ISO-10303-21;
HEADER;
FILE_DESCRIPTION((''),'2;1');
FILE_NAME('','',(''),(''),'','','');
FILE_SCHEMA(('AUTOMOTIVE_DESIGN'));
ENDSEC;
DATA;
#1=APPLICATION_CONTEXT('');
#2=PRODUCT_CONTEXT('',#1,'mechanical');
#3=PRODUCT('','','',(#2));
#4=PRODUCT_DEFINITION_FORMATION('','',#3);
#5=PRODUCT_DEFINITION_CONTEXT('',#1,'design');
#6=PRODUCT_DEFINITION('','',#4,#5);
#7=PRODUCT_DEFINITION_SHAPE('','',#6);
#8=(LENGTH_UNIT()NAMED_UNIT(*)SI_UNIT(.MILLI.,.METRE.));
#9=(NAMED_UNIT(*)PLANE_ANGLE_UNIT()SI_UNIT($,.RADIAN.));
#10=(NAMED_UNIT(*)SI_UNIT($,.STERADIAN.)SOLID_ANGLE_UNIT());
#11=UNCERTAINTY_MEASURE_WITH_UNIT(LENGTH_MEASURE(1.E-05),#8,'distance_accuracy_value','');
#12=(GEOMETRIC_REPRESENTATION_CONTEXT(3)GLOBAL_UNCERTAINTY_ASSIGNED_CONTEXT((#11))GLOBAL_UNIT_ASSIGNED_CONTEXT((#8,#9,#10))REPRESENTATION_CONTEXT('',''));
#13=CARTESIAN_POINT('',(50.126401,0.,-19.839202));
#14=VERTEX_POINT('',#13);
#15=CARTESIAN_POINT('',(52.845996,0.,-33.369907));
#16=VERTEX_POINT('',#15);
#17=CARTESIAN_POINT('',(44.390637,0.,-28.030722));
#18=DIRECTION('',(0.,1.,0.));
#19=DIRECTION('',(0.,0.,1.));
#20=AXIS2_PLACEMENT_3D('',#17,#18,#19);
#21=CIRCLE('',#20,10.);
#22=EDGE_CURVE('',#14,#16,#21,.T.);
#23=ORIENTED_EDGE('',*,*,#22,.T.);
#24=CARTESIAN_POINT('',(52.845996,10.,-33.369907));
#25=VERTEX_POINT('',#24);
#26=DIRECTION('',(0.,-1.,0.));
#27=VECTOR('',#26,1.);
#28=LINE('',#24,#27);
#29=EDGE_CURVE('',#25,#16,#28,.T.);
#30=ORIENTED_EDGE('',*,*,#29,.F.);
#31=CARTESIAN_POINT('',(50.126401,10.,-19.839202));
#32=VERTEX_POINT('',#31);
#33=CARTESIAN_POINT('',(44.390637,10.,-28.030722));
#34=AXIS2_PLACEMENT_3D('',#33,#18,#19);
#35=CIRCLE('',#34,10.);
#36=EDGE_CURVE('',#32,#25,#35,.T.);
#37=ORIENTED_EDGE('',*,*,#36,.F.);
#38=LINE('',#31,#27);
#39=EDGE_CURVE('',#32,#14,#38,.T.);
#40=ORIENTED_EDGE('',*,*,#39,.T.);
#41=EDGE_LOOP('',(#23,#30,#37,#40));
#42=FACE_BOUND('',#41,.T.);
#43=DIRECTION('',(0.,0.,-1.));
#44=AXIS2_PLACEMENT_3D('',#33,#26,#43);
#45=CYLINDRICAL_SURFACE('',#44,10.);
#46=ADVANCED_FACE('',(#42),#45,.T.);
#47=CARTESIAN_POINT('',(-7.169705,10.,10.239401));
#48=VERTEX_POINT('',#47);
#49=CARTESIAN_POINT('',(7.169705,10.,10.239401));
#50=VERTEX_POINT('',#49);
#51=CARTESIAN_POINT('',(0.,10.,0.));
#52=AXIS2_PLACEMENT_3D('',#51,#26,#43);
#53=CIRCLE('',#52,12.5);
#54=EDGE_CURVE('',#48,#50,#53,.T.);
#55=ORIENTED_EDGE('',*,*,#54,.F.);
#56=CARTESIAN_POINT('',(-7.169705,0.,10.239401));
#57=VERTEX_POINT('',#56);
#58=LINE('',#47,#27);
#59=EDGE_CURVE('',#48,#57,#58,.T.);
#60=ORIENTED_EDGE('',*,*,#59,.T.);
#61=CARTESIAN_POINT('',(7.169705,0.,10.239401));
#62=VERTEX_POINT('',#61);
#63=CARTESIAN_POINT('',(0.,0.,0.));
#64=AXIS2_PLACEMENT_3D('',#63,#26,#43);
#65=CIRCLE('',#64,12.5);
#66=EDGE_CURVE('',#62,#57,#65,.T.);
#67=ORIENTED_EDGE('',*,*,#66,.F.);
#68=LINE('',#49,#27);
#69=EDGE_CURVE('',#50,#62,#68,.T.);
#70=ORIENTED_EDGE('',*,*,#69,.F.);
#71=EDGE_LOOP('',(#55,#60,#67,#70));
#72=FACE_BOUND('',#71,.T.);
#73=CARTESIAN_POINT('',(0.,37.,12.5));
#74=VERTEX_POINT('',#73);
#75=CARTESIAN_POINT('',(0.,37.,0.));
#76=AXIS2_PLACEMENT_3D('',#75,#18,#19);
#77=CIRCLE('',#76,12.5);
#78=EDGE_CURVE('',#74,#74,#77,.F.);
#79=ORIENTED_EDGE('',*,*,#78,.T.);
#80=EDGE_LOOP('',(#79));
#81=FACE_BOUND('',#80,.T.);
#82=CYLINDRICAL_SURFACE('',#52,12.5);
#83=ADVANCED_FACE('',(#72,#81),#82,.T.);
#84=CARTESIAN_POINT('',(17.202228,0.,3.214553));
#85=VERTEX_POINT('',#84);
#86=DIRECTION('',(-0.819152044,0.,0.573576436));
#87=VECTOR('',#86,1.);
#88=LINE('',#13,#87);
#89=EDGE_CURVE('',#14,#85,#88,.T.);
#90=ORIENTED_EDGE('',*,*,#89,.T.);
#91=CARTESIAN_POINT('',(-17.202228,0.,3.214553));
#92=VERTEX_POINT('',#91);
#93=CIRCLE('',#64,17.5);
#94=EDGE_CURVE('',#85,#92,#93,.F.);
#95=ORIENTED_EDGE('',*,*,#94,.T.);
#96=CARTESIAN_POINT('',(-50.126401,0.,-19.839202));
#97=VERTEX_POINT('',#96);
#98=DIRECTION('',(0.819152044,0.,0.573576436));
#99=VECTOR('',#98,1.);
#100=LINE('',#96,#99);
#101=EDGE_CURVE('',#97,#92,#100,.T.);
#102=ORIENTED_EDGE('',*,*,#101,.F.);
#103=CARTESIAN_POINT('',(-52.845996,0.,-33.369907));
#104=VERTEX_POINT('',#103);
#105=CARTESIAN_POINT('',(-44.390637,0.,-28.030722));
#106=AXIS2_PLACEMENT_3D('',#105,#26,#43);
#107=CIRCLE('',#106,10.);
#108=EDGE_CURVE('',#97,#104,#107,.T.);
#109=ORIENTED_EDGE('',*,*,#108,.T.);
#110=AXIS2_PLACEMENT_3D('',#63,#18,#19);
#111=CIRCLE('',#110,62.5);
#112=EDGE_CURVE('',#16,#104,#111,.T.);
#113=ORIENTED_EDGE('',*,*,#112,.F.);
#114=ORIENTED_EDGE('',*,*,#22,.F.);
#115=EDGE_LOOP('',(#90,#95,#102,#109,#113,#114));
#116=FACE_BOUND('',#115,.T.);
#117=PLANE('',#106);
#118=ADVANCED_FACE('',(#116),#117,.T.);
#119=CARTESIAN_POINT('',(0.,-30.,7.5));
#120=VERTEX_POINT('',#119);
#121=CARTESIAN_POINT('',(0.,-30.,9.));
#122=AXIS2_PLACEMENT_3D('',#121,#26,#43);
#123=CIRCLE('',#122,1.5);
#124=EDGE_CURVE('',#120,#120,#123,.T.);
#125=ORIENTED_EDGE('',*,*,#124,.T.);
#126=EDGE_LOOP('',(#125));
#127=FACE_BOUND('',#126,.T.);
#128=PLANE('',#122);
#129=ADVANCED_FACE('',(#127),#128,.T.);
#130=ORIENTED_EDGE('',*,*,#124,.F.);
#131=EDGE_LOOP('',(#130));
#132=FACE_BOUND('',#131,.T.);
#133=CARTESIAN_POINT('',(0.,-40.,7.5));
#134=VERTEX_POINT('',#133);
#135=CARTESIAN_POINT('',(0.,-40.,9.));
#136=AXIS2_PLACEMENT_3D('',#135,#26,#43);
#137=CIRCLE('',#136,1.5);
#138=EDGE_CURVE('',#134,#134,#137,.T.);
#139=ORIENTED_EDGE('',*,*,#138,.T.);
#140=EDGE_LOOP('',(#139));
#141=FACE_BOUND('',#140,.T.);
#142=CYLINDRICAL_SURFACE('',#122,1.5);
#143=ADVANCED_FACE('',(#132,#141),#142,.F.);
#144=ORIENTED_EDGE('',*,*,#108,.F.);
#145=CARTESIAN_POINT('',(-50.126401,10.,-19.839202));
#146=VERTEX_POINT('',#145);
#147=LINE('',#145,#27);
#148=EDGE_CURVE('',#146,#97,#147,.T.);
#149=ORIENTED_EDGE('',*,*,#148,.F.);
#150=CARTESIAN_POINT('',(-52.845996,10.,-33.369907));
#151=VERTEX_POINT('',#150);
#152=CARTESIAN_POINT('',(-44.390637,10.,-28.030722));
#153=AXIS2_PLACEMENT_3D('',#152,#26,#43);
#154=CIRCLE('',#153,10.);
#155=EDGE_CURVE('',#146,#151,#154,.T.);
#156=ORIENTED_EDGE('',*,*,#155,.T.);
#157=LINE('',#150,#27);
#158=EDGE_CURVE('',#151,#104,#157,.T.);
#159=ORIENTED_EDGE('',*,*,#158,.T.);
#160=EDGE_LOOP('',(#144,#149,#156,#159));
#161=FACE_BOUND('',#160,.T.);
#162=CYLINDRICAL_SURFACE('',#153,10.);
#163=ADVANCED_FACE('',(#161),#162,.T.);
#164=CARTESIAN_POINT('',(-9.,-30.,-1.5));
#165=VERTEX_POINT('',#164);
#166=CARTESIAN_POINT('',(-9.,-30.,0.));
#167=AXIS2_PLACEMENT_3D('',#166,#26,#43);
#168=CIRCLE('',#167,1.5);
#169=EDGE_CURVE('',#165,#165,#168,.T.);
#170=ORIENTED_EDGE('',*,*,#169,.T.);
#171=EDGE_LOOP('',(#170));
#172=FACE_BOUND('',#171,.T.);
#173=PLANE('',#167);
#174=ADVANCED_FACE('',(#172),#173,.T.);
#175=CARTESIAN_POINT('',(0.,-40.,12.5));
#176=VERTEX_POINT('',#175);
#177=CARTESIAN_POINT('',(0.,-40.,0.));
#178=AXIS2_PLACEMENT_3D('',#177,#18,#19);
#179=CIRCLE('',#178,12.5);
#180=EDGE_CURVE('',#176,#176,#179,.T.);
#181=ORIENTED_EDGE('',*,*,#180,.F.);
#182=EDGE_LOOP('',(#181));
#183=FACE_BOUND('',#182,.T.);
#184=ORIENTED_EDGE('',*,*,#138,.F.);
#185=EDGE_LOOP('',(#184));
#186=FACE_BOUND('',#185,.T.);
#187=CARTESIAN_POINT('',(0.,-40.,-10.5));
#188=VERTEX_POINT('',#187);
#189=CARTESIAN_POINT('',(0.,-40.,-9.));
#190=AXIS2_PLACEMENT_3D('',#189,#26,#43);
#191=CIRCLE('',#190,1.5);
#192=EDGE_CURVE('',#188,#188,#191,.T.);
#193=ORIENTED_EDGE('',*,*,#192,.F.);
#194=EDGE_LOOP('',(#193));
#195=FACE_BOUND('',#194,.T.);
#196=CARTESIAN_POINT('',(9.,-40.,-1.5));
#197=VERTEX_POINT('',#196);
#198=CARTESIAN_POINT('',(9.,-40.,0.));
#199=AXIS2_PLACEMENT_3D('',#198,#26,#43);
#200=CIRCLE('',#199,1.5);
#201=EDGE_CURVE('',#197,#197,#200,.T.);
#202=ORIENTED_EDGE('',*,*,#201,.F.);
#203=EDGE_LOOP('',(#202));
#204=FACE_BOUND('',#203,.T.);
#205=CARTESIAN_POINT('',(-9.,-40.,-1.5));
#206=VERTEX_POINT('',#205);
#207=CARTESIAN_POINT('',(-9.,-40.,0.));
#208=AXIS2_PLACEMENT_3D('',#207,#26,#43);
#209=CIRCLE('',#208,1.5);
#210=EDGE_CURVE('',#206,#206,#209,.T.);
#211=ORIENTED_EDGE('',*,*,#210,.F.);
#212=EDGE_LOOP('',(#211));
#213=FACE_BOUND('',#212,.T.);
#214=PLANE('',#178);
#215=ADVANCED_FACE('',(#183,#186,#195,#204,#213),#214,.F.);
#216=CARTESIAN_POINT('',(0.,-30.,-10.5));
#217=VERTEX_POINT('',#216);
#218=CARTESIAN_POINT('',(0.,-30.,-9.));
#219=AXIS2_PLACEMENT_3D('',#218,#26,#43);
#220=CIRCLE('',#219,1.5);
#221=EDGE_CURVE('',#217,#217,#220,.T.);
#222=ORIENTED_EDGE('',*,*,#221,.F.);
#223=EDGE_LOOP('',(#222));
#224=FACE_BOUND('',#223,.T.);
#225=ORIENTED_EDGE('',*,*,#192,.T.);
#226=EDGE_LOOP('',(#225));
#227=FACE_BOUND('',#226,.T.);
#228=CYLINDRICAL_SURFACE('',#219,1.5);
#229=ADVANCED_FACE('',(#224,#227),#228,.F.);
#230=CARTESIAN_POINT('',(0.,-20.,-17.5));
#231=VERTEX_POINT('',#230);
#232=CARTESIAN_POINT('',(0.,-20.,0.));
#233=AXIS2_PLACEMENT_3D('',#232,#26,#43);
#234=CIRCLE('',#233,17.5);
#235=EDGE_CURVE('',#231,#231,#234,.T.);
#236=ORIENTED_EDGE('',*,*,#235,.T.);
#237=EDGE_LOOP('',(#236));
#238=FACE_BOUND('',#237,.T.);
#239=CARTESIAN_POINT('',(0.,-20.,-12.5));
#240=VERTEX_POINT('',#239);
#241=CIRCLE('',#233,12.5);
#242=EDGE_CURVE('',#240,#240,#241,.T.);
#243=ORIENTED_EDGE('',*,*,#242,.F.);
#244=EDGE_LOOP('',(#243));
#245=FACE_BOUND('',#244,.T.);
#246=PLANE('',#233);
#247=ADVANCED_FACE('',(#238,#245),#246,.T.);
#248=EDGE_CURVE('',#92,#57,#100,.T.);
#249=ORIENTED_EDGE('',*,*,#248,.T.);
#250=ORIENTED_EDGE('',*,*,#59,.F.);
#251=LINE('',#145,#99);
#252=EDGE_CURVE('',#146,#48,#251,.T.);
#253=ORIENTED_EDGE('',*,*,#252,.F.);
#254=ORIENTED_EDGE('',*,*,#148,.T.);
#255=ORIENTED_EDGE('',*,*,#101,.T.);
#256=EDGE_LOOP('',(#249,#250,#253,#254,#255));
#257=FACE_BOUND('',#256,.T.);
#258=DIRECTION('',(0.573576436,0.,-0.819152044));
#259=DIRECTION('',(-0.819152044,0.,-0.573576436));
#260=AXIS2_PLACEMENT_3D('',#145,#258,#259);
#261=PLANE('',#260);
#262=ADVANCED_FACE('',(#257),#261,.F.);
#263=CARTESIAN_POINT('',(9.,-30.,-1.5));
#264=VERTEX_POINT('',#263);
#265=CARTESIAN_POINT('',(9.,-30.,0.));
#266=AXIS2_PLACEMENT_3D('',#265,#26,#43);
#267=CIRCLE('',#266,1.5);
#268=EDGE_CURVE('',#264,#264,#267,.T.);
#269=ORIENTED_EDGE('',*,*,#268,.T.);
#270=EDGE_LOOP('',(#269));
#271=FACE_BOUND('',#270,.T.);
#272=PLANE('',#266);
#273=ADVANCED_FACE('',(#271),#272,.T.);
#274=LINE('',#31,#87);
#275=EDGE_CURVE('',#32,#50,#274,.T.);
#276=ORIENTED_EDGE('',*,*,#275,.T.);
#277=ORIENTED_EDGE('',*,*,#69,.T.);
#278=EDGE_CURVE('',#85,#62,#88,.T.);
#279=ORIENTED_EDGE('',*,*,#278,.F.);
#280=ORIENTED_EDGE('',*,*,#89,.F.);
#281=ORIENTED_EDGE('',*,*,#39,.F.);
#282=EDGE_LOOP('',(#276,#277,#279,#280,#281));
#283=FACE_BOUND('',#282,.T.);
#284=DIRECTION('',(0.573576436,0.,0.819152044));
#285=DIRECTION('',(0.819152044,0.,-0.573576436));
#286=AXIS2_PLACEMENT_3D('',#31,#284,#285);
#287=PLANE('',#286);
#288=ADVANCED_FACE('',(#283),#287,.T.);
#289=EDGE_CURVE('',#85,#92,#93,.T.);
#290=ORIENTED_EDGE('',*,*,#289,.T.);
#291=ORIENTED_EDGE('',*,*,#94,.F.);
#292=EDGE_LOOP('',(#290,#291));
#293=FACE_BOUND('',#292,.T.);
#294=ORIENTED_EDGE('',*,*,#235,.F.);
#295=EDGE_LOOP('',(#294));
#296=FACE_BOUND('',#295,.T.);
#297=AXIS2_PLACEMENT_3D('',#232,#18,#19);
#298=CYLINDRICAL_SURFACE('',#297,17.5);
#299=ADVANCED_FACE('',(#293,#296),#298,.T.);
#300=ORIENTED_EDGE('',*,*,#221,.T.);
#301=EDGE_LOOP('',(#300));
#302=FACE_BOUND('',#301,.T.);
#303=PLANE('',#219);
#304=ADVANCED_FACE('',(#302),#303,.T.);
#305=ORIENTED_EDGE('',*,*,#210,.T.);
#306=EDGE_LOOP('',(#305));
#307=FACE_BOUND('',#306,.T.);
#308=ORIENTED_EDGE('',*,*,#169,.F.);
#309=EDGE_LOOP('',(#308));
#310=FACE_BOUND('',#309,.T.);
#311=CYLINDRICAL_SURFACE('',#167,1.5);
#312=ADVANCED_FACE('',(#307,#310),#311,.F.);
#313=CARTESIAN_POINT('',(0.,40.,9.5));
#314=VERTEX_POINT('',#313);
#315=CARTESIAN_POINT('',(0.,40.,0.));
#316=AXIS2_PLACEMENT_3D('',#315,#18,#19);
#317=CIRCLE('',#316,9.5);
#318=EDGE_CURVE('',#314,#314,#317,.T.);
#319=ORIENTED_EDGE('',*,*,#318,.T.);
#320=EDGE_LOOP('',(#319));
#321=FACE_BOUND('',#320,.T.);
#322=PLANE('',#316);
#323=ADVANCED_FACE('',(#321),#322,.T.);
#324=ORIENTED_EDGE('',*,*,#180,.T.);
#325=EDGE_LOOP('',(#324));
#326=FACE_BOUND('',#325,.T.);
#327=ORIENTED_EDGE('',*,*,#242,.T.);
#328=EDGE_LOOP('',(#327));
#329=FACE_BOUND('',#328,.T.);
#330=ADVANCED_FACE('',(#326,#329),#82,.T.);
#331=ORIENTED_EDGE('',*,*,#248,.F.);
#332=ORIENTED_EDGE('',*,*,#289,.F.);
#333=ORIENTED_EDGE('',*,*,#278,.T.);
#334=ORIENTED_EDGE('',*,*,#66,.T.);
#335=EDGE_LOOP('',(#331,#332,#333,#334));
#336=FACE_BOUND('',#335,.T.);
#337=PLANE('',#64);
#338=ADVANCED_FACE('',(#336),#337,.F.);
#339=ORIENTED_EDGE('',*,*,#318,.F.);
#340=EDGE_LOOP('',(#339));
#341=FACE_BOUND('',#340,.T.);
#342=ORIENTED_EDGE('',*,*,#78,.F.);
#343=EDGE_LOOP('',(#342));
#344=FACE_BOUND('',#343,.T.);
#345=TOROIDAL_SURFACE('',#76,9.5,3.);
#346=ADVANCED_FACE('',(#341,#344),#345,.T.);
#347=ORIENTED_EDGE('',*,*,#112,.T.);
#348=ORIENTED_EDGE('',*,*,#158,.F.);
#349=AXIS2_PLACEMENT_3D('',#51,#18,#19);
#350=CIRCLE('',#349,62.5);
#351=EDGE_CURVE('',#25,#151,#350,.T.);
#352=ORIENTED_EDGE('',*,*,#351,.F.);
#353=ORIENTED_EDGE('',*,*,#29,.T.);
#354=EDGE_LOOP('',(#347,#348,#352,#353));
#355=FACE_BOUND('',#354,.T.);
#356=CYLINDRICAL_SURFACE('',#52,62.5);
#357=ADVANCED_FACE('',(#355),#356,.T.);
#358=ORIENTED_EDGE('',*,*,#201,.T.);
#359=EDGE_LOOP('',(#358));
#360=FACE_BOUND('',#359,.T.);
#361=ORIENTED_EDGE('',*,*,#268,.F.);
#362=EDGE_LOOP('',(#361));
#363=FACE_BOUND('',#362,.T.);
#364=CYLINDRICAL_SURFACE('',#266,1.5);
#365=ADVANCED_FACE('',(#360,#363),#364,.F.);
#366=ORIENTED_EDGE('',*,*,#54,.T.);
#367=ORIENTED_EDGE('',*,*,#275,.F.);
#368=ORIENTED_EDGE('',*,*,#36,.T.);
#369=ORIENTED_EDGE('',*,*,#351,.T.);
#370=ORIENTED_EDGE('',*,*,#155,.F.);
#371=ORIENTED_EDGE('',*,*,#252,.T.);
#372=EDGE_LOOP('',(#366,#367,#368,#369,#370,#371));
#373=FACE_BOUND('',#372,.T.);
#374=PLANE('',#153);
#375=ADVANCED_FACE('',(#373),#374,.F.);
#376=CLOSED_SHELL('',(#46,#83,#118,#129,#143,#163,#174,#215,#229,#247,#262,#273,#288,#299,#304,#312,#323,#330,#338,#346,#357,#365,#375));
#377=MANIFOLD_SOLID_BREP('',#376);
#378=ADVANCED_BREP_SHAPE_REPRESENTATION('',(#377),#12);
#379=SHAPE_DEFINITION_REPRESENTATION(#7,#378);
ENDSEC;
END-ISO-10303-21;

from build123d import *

# Parameters (mm, degrees)
BOSS_EXTRUDE1_DEPTH      = 10
BOSS_EXTRUDE2_DEPTH      = 30
BOSS_EXTRUDE2_DEPTH_BACK = 50
SKETCH2_R                = 12.5
SKETCH3_R                = 17.5
BOSS_EXTRUDE3_DEPTH      = 20
FILLET1_R                = 3
SKETCH4_R                = 1.5
CUT_EXTRUDE1_DEPTH       = 10


with BuildPart() as part:
    # Sketch1 → Boss-Extrude1 (new body)
    with BuildSketch(Plane(origin=(0, 0, 0), x_dir=(1, 0, 0), z_dir=(0, 1, 0))):
        with BuildLine():
            Line((-50.126401, 19.839202), (-7.169705, -10.239401))
            ThreePointArc((-7.169705, -10.239401), (0, -12.5), (7.169705, -10.239401))
            Line((7.169705, -10.239401), (50.126401, 19.839202))
            ThreePointArc((50.126401, 19.839202), (54.194564, 26.060188), (52.845996, 33.369907))
            ThreePointArc((52.845996, 33.369907), (0, 62.5), (-52.845996, 33.369907))
            ThreePointArc((-52.845996, 33.369907), (-54.194564, 26.060188), (-50.126401, 19.839202))
        make_face()
    extrude(amount=BOSS_EXTRUDE1_DEPTH)

    # Sketch2 → Boss-Extrude2 (add, two sides: drawn at the far end of the back side and taken through both)
    with BuildSketch(Plane(origin=(0, 10, 0), x_dir=(1, 0, 0), z_dir=(0, 1, 0)).offset(-BOSS_EXTRUDE2_DEPTH_BACK)):
        with Locations(Location((0, 0, 0), (0, 0, 270))):
            Circle(SKETCH2_R)
    extrude(amount=BOSS_EXTRUDE2_DEPTH + BOSS_EXTRUDE2_DEPTH_BACK)

    # Sketch3 → Boss-Extrude3 (add)
    with BuildSketch(Plane.XZ):
        with Locations(Location((0, 0, 0), (0, 0, 169.415309))):
            Circle(SKETCH3_R)
    extrude(amount=BOSS_EXTRUDE3_DEPTH)

    # Fillet1
    fillet1_edges = [part.edges().sort_by_distance(p)[0] for p in [
        (0, 40, -12.5),
    ]]
    fillet(fillet1_edges, radius=FILLET1_R)

    # Sketch4 → Cut-Extrude1 (cut)
    with BuildSketch(Plane.XZ.offset(40)):
        with Locations(Location((0, 9, 0), (0, 0, 270))):
            Circle(SKETCH4_R)
        with Locations(Location((9, 0, 0), (0, 0, 270))):
            Circle(SKETCH4_R)
        with Locations(Location((0, -9, 0), (0, 0, 270))):
            Circle(SKETCH4_R)
        with Locations(Location((-9, 0, 0), (0, 0, 270))):
            Circle(SKETCH4_R)
    extrude(amount=-CUT_EXTRUDE1_DEPTH, mode=Mode.SUBTRACT)


solid = part.part
